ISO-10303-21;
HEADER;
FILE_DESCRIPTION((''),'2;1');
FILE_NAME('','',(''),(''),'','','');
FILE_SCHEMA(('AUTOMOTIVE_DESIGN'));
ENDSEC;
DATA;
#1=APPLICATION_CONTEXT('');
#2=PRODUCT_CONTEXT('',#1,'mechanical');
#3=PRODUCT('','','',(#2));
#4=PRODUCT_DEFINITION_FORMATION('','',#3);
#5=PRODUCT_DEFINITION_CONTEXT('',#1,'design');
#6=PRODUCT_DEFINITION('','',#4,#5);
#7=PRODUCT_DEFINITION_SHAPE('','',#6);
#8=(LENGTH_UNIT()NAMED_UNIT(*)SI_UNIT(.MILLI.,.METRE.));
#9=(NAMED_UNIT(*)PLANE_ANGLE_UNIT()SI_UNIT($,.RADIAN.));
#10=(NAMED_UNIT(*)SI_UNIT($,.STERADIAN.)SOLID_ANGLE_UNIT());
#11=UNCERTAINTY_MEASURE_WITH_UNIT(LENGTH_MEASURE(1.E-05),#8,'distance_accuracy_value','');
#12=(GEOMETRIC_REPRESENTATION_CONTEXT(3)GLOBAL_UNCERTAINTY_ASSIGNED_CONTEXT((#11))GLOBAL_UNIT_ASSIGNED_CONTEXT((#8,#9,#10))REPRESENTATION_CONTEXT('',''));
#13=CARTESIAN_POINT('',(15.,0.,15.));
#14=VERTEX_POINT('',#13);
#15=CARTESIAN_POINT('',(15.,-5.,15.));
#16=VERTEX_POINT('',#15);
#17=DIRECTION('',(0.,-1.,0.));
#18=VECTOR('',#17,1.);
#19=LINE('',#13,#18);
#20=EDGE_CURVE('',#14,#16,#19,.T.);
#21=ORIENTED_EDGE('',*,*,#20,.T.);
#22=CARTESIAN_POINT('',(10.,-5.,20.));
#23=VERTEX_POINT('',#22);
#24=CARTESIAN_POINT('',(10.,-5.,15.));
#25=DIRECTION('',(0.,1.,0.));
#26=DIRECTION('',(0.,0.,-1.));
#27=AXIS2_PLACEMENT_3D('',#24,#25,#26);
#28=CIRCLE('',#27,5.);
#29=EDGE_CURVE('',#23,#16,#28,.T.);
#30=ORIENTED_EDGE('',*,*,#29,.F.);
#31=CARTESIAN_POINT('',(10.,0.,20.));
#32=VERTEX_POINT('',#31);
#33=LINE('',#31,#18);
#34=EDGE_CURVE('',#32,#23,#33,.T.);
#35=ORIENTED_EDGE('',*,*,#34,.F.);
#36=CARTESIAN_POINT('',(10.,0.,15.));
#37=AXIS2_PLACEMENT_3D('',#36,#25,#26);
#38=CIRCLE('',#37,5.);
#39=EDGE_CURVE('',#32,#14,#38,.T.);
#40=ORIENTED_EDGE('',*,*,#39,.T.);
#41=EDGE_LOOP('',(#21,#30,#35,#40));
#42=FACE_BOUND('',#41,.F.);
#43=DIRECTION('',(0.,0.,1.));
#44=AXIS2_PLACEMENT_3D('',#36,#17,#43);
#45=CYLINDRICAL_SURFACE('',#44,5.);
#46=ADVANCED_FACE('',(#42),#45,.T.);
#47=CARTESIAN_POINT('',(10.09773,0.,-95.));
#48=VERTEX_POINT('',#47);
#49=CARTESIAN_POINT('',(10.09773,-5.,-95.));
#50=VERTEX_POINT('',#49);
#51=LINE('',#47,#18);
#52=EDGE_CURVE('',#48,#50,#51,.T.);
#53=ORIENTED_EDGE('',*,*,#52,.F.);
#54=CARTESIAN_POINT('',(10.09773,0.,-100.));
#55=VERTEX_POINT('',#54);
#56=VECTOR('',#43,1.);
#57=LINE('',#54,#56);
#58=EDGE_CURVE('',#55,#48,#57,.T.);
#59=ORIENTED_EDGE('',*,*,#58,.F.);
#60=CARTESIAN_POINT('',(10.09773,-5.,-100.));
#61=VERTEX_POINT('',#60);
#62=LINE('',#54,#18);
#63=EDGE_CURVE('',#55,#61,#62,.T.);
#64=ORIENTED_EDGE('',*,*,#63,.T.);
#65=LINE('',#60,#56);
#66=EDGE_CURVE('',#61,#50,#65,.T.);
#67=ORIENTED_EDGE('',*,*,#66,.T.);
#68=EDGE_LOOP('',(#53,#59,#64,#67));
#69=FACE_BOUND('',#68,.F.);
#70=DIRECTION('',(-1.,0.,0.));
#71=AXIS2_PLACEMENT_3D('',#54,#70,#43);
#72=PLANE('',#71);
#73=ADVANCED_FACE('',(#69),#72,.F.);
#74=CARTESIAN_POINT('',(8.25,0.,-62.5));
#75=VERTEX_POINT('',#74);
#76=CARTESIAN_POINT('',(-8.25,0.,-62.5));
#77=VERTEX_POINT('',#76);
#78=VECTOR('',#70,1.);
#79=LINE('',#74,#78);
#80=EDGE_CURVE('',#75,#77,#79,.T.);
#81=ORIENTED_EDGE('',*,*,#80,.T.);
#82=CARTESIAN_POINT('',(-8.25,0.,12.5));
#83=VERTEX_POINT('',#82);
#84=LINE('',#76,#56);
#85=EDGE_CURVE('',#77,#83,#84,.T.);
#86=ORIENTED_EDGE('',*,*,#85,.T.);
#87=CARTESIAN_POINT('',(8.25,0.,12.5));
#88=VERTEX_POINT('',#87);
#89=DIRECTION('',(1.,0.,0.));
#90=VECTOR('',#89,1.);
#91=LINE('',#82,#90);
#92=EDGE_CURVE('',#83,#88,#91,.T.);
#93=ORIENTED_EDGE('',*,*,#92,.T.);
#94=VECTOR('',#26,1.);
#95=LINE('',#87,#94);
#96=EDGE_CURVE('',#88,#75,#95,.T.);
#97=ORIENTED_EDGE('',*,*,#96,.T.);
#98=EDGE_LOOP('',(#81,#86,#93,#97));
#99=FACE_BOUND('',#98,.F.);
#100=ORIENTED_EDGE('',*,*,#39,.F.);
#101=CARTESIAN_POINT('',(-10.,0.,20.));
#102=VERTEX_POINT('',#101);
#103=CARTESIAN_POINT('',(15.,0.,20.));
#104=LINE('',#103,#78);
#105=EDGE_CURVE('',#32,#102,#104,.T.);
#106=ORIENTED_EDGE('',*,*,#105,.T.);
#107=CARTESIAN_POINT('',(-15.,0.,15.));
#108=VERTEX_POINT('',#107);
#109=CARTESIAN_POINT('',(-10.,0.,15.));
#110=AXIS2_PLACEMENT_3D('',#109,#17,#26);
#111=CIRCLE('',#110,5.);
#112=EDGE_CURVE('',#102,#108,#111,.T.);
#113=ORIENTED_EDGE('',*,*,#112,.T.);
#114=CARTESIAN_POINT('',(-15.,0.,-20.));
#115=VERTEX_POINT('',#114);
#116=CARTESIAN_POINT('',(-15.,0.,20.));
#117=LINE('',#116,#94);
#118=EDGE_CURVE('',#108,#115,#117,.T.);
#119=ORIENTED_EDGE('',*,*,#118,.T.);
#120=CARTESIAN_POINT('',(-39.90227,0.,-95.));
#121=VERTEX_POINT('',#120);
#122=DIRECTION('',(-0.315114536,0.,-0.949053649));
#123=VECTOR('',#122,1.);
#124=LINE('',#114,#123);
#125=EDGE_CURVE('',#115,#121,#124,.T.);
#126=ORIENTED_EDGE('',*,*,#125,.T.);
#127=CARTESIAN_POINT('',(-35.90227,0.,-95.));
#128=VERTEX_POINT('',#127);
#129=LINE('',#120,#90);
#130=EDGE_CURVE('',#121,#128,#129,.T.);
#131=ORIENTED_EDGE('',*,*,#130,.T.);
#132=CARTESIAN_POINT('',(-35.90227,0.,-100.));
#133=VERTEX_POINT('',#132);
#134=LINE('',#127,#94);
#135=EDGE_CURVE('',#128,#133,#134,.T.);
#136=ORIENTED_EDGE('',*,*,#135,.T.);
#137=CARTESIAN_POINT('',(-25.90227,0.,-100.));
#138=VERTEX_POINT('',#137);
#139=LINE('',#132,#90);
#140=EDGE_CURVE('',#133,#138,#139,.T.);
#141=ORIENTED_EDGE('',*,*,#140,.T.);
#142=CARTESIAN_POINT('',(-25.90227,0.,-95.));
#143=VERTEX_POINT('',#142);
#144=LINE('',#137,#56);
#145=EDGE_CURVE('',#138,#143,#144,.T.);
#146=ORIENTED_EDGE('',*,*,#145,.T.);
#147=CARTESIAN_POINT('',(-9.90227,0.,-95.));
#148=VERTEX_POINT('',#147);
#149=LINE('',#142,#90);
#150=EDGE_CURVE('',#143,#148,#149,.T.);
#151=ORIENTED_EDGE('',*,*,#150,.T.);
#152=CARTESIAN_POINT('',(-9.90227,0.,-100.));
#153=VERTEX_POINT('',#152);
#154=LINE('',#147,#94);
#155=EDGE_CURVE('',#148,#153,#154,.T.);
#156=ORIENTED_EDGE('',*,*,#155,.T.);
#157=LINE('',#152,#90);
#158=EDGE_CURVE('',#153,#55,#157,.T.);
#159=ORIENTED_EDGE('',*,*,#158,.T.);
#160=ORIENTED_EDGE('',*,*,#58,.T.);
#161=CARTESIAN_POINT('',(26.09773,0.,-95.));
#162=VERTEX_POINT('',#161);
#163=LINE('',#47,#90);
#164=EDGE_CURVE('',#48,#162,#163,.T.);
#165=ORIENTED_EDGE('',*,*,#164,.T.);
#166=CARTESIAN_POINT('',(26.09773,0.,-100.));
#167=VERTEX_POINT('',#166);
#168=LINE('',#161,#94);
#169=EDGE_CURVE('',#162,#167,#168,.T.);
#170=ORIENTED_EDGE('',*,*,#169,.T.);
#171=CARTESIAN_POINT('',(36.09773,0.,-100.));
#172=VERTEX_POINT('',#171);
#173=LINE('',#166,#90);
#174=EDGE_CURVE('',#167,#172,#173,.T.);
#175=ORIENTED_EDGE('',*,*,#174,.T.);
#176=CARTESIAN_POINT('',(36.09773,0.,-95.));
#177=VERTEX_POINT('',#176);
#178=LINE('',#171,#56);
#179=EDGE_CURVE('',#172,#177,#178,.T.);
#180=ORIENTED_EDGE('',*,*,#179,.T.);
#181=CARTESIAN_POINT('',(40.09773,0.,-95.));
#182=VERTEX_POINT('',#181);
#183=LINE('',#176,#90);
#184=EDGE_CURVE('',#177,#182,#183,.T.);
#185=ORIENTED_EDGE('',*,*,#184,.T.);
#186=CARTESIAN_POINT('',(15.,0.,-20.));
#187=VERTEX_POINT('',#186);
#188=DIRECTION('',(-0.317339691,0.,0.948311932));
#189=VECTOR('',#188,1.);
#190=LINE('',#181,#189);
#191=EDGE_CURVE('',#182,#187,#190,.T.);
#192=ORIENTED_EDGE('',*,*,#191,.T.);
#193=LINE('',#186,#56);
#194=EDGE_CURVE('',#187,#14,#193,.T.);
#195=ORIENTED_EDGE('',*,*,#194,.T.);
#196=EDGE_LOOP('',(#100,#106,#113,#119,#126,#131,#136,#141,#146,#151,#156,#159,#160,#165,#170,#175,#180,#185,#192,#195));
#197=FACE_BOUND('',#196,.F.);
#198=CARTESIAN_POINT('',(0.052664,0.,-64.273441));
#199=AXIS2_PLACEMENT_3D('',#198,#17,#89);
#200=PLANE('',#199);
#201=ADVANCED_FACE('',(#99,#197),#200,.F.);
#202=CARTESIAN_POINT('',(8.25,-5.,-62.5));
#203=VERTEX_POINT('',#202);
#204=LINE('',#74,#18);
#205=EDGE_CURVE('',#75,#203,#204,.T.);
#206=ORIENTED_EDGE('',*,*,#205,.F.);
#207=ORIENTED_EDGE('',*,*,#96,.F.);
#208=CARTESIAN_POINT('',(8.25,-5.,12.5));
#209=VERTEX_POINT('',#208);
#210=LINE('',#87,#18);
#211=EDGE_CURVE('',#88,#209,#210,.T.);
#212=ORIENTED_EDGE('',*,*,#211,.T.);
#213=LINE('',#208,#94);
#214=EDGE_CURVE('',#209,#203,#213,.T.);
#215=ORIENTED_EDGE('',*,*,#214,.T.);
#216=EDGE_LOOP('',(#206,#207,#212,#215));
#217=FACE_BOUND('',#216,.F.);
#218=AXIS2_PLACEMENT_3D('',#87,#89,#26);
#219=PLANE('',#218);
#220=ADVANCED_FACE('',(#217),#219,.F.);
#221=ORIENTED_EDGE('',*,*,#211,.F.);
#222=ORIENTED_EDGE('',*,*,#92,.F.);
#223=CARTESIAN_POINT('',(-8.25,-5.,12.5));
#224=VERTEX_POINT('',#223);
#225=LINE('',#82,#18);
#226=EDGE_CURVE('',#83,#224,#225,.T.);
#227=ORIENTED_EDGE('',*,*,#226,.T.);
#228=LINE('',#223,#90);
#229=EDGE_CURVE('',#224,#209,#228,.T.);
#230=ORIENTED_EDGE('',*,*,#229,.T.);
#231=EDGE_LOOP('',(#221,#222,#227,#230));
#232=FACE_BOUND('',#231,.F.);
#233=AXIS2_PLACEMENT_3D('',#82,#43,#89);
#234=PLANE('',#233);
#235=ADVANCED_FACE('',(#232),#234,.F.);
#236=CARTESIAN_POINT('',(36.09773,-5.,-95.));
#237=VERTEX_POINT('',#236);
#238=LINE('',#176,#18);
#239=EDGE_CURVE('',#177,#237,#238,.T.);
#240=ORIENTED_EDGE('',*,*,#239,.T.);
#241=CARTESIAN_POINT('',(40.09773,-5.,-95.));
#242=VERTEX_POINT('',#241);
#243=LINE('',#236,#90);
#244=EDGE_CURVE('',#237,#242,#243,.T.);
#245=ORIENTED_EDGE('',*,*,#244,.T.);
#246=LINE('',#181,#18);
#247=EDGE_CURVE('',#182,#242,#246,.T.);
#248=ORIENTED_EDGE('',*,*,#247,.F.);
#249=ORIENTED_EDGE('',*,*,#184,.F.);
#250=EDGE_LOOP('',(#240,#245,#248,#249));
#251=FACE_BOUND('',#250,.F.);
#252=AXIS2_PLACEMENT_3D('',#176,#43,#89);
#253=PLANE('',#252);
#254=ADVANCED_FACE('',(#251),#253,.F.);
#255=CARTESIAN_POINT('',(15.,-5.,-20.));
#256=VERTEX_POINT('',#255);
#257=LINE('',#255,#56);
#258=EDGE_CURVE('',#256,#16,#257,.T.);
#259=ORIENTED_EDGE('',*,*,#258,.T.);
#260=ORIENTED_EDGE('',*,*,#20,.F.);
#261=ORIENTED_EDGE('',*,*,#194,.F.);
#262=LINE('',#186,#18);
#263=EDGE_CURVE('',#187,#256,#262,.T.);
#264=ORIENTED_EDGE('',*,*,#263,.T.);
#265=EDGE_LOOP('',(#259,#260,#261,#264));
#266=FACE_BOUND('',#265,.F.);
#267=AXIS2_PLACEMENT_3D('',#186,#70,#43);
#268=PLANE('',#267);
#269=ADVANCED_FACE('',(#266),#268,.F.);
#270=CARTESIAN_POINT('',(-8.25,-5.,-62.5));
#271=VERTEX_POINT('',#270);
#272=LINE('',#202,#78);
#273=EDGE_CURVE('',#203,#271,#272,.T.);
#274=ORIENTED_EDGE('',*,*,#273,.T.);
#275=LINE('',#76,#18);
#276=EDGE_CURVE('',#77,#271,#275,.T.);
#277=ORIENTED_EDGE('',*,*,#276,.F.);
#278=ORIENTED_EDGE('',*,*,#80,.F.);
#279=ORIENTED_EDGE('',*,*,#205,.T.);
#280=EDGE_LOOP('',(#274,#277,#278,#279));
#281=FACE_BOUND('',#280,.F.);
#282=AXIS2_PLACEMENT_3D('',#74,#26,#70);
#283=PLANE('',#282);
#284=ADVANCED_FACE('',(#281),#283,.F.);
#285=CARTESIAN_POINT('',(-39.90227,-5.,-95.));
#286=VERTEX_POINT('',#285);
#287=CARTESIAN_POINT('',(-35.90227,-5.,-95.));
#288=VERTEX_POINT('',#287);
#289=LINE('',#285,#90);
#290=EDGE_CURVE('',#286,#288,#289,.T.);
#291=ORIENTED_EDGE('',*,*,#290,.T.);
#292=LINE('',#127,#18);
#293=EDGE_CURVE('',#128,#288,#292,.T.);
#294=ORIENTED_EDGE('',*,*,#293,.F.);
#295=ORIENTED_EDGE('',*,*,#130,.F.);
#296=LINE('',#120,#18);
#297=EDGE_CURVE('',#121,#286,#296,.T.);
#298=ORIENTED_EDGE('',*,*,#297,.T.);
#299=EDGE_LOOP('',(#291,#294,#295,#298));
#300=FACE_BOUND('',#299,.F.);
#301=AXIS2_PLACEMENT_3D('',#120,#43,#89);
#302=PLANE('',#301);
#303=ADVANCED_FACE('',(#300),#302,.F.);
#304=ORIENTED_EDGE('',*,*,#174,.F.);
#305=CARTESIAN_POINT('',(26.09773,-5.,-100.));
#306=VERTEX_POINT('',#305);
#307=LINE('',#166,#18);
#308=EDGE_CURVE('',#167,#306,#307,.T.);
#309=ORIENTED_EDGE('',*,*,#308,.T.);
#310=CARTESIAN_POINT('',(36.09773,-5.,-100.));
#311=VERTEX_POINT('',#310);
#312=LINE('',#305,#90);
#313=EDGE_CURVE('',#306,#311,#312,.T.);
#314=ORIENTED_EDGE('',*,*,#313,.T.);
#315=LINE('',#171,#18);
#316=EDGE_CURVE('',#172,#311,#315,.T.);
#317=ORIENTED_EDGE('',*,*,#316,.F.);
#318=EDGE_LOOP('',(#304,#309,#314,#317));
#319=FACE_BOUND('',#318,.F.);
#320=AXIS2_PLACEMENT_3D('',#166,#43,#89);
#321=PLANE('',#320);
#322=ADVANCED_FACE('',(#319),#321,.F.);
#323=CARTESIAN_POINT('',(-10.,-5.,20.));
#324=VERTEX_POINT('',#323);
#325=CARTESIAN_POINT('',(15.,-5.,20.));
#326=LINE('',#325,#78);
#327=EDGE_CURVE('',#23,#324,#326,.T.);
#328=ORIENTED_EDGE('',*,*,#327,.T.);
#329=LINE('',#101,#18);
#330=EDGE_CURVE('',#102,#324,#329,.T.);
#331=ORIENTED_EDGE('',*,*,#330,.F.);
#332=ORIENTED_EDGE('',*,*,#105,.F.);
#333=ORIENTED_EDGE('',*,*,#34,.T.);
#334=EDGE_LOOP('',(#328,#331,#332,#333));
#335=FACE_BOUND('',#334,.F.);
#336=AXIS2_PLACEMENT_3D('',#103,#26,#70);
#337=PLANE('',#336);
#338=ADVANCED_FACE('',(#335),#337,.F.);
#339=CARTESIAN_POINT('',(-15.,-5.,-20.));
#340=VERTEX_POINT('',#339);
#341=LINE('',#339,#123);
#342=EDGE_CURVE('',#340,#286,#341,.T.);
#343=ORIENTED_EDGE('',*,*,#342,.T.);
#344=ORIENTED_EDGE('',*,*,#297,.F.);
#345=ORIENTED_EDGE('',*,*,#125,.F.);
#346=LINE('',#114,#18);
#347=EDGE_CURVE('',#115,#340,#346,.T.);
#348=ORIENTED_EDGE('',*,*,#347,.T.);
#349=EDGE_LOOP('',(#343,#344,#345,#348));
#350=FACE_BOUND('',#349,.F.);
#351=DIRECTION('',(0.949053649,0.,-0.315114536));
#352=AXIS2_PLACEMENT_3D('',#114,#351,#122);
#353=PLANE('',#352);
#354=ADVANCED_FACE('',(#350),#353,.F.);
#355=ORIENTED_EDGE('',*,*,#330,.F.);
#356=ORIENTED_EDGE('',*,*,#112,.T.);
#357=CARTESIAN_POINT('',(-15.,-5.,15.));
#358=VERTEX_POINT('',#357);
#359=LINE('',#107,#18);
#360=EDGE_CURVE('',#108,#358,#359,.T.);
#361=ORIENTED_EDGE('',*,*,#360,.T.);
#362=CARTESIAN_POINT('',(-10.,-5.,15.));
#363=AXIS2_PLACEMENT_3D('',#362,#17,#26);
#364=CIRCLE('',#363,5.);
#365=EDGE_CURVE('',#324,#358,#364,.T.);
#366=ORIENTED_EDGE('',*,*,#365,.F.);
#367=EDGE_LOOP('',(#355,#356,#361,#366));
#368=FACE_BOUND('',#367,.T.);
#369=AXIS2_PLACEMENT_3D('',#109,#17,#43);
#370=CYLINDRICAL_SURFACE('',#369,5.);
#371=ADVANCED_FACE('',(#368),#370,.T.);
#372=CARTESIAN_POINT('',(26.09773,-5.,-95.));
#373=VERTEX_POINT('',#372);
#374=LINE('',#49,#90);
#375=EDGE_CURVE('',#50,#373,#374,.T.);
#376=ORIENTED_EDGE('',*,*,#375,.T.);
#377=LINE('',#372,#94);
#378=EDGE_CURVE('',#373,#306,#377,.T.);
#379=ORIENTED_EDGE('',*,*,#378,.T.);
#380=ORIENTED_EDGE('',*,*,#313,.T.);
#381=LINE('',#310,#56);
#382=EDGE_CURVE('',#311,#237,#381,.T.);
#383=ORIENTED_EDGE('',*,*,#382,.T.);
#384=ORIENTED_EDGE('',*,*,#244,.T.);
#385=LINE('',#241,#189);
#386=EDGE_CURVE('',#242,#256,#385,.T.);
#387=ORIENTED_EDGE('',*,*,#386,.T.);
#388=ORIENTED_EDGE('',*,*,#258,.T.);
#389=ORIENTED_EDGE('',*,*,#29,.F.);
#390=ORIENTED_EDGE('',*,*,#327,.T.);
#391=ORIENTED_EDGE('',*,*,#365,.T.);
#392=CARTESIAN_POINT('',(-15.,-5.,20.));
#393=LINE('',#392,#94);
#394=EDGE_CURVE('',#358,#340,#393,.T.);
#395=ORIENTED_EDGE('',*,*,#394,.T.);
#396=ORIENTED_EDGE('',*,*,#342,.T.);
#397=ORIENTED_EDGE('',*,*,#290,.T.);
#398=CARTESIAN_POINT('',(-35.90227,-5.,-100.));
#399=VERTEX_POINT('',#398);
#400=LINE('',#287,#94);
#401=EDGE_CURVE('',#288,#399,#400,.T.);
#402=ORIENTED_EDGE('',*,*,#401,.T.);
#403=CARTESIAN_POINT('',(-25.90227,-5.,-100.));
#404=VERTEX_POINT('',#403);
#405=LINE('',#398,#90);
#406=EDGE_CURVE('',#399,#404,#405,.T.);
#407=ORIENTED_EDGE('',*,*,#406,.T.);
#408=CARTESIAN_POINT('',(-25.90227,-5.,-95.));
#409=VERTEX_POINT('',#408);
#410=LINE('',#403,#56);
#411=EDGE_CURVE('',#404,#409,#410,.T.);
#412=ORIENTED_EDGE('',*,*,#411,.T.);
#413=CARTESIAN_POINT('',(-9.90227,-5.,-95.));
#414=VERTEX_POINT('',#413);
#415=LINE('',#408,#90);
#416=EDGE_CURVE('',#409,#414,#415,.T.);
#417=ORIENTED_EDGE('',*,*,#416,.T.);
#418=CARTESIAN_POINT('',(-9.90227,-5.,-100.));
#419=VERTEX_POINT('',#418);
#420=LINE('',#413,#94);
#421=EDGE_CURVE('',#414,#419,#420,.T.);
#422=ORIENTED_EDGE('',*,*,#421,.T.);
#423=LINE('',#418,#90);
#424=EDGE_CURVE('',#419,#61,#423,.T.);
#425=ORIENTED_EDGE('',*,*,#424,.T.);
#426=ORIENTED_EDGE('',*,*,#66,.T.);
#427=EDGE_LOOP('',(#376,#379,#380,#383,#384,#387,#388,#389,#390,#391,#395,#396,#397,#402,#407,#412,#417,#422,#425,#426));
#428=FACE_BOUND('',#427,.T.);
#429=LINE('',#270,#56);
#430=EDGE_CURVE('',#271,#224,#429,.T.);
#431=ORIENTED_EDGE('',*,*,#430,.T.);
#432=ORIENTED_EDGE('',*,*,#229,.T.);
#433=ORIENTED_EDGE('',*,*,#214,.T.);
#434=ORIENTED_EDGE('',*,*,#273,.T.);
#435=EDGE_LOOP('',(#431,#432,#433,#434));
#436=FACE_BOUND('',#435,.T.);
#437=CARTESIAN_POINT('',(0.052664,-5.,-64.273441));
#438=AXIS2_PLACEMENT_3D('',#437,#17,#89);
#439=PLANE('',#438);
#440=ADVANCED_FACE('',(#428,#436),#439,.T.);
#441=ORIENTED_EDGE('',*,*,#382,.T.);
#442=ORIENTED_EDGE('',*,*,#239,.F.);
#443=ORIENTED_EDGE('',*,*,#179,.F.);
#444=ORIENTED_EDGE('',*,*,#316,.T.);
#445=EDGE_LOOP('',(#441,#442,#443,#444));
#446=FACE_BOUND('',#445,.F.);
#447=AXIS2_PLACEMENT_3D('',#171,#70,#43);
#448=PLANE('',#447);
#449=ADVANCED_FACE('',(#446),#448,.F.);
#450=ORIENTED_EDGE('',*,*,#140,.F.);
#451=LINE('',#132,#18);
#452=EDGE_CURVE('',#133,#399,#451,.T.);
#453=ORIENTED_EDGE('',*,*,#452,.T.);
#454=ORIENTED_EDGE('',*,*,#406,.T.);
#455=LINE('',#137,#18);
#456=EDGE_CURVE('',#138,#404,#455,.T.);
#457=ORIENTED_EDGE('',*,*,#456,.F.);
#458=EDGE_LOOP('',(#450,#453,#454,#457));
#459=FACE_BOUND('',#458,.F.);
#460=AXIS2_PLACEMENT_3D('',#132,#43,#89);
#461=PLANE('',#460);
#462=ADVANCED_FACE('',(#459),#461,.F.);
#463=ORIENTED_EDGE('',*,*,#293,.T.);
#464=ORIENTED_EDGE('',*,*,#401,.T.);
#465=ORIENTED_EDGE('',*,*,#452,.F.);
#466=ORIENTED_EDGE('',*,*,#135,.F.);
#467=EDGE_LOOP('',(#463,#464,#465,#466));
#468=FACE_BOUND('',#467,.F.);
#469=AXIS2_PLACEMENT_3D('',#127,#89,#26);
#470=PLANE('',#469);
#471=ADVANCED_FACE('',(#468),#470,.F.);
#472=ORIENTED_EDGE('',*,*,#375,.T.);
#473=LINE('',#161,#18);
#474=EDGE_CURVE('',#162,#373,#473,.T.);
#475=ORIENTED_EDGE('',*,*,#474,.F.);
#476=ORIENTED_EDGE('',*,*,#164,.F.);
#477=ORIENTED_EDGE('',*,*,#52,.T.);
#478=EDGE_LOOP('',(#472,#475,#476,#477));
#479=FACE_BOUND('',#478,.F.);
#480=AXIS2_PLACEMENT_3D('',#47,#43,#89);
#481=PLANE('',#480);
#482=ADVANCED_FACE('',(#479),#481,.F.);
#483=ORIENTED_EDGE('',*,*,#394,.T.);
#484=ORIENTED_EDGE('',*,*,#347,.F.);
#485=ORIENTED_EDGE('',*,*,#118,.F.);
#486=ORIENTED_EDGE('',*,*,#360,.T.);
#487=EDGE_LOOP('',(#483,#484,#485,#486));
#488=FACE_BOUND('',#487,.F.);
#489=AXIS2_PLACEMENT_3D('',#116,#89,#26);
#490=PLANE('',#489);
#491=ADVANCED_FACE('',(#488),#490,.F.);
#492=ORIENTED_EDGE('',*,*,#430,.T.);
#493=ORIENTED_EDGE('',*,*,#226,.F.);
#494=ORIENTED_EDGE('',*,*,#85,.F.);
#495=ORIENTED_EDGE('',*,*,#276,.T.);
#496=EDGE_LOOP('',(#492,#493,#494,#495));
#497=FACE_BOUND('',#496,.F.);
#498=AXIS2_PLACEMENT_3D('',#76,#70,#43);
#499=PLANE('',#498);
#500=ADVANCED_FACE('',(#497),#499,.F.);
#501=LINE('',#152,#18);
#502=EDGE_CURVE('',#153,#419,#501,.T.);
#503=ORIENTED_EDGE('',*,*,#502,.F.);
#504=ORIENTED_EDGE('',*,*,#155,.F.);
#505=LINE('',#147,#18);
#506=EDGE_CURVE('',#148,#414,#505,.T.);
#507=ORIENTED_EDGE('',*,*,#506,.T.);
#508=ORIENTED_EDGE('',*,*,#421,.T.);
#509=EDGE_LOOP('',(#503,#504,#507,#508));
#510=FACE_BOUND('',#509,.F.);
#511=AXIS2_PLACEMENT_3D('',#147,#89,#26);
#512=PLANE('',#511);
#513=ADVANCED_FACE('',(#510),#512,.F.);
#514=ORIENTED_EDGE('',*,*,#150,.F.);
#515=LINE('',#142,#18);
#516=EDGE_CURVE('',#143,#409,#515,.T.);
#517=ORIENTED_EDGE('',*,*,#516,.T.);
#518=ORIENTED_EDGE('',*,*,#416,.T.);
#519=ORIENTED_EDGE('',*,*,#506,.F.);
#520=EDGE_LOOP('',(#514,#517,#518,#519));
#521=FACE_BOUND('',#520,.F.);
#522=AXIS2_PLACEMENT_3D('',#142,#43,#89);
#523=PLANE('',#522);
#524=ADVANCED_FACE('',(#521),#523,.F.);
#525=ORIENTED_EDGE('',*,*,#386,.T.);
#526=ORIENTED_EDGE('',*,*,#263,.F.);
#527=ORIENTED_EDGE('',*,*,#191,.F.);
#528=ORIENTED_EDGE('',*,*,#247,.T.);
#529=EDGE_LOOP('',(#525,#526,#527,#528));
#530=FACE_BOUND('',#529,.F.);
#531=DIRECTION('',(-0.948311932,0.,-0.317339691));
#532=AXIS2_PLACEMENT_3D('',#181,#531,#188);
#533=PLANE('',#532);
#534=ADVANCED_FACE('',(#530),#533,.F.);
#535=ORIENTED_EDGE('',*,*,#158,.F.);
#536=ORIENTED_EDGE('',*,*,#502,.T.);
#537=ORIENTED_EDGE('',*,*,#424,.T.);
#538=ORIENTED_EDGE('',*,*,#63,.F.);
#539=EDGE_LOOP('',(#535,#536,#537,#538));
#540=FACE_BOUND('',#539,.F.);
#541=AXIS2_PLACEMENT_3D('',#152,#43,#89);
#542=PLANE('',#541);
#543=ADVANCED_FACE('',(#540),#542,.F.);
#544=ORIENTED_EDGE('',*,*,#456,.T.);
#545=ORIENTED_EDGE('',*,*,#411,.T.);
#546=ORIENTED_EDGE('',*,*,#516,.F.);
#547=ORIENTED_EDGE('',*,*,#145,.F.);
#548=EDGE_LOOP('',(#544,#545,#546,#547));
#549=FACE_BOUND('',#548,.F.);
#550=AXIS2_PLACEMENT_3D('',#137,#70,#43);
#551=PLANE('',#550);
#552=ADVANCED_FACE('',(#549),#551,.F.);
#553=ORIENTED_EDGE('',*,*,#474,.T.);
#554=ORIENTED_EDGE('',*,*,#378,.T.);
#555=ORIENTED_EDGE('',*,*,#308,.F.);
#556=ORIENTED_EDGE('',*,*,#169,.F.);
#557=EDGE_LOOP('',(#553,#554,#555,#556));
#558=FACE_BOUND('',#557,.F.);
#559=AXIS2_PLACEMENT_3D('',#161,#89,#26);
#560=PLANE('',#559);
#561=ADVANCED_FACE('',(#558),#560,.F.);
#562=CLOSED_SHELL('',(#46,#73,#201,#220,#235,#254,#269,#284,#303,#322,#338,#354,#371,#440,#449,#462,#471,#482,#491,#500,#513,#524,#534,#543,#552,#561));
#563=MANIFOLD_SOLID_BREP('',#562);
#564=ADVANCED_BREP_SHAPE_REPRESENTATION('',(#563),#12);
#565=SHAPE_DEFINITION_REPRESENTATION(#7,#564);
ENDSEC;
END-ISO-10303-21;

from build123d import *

# Parameters (mm, degrees)
F1_DEPTH = 5
F2_R     = 5
F3_R     = 5


with BuildPart() as f1:
    # F0 (on Front) → F1 (new body)
    with BuildSketch(Plane.XZ):
        Polygon((40.09773, -95), (15, -20), (8.25, -20), (8.25, -62.5), (-8.25, -62.5), (-8.25, -20), (-15, -20), (-39.90227, -95), (-35.90227, -95), (-35.90227, -100), (-25.90227, -100), (-25.90227, -95), (-9.90227, -95), (-9.90227, -100), (10.09773, -100), (10.09773, -95), (26.09773, -95), (26.09773, -100), (36.09773, -100), (36.09773, -95), align=None)
        Polygon((8.25, -20), (15, -20), (15, 20), (-15, 20), (-15, -20), (-8.25, -20), (-8.25, -12.5), (-8.25, 12.5), (8.25, 12.5), (8.25, -12.5), align=None)
    extrude(amount=F1_DEPTH)

    # F2
    f2_edges = [f1.edges().sort_by_distance(p)[0] for p in [
        (-15, -2.5, 20),
    ]]
    fillet(f2_edges, radius=F2_R)

    # F3
    f3_edges = [f1.edges().sort_by_distance(p)[0] for p in [
        (15, -2.5, 20),
    ]]
    fillet(f3_edges, radius=F3_R)


solid = f1.part
